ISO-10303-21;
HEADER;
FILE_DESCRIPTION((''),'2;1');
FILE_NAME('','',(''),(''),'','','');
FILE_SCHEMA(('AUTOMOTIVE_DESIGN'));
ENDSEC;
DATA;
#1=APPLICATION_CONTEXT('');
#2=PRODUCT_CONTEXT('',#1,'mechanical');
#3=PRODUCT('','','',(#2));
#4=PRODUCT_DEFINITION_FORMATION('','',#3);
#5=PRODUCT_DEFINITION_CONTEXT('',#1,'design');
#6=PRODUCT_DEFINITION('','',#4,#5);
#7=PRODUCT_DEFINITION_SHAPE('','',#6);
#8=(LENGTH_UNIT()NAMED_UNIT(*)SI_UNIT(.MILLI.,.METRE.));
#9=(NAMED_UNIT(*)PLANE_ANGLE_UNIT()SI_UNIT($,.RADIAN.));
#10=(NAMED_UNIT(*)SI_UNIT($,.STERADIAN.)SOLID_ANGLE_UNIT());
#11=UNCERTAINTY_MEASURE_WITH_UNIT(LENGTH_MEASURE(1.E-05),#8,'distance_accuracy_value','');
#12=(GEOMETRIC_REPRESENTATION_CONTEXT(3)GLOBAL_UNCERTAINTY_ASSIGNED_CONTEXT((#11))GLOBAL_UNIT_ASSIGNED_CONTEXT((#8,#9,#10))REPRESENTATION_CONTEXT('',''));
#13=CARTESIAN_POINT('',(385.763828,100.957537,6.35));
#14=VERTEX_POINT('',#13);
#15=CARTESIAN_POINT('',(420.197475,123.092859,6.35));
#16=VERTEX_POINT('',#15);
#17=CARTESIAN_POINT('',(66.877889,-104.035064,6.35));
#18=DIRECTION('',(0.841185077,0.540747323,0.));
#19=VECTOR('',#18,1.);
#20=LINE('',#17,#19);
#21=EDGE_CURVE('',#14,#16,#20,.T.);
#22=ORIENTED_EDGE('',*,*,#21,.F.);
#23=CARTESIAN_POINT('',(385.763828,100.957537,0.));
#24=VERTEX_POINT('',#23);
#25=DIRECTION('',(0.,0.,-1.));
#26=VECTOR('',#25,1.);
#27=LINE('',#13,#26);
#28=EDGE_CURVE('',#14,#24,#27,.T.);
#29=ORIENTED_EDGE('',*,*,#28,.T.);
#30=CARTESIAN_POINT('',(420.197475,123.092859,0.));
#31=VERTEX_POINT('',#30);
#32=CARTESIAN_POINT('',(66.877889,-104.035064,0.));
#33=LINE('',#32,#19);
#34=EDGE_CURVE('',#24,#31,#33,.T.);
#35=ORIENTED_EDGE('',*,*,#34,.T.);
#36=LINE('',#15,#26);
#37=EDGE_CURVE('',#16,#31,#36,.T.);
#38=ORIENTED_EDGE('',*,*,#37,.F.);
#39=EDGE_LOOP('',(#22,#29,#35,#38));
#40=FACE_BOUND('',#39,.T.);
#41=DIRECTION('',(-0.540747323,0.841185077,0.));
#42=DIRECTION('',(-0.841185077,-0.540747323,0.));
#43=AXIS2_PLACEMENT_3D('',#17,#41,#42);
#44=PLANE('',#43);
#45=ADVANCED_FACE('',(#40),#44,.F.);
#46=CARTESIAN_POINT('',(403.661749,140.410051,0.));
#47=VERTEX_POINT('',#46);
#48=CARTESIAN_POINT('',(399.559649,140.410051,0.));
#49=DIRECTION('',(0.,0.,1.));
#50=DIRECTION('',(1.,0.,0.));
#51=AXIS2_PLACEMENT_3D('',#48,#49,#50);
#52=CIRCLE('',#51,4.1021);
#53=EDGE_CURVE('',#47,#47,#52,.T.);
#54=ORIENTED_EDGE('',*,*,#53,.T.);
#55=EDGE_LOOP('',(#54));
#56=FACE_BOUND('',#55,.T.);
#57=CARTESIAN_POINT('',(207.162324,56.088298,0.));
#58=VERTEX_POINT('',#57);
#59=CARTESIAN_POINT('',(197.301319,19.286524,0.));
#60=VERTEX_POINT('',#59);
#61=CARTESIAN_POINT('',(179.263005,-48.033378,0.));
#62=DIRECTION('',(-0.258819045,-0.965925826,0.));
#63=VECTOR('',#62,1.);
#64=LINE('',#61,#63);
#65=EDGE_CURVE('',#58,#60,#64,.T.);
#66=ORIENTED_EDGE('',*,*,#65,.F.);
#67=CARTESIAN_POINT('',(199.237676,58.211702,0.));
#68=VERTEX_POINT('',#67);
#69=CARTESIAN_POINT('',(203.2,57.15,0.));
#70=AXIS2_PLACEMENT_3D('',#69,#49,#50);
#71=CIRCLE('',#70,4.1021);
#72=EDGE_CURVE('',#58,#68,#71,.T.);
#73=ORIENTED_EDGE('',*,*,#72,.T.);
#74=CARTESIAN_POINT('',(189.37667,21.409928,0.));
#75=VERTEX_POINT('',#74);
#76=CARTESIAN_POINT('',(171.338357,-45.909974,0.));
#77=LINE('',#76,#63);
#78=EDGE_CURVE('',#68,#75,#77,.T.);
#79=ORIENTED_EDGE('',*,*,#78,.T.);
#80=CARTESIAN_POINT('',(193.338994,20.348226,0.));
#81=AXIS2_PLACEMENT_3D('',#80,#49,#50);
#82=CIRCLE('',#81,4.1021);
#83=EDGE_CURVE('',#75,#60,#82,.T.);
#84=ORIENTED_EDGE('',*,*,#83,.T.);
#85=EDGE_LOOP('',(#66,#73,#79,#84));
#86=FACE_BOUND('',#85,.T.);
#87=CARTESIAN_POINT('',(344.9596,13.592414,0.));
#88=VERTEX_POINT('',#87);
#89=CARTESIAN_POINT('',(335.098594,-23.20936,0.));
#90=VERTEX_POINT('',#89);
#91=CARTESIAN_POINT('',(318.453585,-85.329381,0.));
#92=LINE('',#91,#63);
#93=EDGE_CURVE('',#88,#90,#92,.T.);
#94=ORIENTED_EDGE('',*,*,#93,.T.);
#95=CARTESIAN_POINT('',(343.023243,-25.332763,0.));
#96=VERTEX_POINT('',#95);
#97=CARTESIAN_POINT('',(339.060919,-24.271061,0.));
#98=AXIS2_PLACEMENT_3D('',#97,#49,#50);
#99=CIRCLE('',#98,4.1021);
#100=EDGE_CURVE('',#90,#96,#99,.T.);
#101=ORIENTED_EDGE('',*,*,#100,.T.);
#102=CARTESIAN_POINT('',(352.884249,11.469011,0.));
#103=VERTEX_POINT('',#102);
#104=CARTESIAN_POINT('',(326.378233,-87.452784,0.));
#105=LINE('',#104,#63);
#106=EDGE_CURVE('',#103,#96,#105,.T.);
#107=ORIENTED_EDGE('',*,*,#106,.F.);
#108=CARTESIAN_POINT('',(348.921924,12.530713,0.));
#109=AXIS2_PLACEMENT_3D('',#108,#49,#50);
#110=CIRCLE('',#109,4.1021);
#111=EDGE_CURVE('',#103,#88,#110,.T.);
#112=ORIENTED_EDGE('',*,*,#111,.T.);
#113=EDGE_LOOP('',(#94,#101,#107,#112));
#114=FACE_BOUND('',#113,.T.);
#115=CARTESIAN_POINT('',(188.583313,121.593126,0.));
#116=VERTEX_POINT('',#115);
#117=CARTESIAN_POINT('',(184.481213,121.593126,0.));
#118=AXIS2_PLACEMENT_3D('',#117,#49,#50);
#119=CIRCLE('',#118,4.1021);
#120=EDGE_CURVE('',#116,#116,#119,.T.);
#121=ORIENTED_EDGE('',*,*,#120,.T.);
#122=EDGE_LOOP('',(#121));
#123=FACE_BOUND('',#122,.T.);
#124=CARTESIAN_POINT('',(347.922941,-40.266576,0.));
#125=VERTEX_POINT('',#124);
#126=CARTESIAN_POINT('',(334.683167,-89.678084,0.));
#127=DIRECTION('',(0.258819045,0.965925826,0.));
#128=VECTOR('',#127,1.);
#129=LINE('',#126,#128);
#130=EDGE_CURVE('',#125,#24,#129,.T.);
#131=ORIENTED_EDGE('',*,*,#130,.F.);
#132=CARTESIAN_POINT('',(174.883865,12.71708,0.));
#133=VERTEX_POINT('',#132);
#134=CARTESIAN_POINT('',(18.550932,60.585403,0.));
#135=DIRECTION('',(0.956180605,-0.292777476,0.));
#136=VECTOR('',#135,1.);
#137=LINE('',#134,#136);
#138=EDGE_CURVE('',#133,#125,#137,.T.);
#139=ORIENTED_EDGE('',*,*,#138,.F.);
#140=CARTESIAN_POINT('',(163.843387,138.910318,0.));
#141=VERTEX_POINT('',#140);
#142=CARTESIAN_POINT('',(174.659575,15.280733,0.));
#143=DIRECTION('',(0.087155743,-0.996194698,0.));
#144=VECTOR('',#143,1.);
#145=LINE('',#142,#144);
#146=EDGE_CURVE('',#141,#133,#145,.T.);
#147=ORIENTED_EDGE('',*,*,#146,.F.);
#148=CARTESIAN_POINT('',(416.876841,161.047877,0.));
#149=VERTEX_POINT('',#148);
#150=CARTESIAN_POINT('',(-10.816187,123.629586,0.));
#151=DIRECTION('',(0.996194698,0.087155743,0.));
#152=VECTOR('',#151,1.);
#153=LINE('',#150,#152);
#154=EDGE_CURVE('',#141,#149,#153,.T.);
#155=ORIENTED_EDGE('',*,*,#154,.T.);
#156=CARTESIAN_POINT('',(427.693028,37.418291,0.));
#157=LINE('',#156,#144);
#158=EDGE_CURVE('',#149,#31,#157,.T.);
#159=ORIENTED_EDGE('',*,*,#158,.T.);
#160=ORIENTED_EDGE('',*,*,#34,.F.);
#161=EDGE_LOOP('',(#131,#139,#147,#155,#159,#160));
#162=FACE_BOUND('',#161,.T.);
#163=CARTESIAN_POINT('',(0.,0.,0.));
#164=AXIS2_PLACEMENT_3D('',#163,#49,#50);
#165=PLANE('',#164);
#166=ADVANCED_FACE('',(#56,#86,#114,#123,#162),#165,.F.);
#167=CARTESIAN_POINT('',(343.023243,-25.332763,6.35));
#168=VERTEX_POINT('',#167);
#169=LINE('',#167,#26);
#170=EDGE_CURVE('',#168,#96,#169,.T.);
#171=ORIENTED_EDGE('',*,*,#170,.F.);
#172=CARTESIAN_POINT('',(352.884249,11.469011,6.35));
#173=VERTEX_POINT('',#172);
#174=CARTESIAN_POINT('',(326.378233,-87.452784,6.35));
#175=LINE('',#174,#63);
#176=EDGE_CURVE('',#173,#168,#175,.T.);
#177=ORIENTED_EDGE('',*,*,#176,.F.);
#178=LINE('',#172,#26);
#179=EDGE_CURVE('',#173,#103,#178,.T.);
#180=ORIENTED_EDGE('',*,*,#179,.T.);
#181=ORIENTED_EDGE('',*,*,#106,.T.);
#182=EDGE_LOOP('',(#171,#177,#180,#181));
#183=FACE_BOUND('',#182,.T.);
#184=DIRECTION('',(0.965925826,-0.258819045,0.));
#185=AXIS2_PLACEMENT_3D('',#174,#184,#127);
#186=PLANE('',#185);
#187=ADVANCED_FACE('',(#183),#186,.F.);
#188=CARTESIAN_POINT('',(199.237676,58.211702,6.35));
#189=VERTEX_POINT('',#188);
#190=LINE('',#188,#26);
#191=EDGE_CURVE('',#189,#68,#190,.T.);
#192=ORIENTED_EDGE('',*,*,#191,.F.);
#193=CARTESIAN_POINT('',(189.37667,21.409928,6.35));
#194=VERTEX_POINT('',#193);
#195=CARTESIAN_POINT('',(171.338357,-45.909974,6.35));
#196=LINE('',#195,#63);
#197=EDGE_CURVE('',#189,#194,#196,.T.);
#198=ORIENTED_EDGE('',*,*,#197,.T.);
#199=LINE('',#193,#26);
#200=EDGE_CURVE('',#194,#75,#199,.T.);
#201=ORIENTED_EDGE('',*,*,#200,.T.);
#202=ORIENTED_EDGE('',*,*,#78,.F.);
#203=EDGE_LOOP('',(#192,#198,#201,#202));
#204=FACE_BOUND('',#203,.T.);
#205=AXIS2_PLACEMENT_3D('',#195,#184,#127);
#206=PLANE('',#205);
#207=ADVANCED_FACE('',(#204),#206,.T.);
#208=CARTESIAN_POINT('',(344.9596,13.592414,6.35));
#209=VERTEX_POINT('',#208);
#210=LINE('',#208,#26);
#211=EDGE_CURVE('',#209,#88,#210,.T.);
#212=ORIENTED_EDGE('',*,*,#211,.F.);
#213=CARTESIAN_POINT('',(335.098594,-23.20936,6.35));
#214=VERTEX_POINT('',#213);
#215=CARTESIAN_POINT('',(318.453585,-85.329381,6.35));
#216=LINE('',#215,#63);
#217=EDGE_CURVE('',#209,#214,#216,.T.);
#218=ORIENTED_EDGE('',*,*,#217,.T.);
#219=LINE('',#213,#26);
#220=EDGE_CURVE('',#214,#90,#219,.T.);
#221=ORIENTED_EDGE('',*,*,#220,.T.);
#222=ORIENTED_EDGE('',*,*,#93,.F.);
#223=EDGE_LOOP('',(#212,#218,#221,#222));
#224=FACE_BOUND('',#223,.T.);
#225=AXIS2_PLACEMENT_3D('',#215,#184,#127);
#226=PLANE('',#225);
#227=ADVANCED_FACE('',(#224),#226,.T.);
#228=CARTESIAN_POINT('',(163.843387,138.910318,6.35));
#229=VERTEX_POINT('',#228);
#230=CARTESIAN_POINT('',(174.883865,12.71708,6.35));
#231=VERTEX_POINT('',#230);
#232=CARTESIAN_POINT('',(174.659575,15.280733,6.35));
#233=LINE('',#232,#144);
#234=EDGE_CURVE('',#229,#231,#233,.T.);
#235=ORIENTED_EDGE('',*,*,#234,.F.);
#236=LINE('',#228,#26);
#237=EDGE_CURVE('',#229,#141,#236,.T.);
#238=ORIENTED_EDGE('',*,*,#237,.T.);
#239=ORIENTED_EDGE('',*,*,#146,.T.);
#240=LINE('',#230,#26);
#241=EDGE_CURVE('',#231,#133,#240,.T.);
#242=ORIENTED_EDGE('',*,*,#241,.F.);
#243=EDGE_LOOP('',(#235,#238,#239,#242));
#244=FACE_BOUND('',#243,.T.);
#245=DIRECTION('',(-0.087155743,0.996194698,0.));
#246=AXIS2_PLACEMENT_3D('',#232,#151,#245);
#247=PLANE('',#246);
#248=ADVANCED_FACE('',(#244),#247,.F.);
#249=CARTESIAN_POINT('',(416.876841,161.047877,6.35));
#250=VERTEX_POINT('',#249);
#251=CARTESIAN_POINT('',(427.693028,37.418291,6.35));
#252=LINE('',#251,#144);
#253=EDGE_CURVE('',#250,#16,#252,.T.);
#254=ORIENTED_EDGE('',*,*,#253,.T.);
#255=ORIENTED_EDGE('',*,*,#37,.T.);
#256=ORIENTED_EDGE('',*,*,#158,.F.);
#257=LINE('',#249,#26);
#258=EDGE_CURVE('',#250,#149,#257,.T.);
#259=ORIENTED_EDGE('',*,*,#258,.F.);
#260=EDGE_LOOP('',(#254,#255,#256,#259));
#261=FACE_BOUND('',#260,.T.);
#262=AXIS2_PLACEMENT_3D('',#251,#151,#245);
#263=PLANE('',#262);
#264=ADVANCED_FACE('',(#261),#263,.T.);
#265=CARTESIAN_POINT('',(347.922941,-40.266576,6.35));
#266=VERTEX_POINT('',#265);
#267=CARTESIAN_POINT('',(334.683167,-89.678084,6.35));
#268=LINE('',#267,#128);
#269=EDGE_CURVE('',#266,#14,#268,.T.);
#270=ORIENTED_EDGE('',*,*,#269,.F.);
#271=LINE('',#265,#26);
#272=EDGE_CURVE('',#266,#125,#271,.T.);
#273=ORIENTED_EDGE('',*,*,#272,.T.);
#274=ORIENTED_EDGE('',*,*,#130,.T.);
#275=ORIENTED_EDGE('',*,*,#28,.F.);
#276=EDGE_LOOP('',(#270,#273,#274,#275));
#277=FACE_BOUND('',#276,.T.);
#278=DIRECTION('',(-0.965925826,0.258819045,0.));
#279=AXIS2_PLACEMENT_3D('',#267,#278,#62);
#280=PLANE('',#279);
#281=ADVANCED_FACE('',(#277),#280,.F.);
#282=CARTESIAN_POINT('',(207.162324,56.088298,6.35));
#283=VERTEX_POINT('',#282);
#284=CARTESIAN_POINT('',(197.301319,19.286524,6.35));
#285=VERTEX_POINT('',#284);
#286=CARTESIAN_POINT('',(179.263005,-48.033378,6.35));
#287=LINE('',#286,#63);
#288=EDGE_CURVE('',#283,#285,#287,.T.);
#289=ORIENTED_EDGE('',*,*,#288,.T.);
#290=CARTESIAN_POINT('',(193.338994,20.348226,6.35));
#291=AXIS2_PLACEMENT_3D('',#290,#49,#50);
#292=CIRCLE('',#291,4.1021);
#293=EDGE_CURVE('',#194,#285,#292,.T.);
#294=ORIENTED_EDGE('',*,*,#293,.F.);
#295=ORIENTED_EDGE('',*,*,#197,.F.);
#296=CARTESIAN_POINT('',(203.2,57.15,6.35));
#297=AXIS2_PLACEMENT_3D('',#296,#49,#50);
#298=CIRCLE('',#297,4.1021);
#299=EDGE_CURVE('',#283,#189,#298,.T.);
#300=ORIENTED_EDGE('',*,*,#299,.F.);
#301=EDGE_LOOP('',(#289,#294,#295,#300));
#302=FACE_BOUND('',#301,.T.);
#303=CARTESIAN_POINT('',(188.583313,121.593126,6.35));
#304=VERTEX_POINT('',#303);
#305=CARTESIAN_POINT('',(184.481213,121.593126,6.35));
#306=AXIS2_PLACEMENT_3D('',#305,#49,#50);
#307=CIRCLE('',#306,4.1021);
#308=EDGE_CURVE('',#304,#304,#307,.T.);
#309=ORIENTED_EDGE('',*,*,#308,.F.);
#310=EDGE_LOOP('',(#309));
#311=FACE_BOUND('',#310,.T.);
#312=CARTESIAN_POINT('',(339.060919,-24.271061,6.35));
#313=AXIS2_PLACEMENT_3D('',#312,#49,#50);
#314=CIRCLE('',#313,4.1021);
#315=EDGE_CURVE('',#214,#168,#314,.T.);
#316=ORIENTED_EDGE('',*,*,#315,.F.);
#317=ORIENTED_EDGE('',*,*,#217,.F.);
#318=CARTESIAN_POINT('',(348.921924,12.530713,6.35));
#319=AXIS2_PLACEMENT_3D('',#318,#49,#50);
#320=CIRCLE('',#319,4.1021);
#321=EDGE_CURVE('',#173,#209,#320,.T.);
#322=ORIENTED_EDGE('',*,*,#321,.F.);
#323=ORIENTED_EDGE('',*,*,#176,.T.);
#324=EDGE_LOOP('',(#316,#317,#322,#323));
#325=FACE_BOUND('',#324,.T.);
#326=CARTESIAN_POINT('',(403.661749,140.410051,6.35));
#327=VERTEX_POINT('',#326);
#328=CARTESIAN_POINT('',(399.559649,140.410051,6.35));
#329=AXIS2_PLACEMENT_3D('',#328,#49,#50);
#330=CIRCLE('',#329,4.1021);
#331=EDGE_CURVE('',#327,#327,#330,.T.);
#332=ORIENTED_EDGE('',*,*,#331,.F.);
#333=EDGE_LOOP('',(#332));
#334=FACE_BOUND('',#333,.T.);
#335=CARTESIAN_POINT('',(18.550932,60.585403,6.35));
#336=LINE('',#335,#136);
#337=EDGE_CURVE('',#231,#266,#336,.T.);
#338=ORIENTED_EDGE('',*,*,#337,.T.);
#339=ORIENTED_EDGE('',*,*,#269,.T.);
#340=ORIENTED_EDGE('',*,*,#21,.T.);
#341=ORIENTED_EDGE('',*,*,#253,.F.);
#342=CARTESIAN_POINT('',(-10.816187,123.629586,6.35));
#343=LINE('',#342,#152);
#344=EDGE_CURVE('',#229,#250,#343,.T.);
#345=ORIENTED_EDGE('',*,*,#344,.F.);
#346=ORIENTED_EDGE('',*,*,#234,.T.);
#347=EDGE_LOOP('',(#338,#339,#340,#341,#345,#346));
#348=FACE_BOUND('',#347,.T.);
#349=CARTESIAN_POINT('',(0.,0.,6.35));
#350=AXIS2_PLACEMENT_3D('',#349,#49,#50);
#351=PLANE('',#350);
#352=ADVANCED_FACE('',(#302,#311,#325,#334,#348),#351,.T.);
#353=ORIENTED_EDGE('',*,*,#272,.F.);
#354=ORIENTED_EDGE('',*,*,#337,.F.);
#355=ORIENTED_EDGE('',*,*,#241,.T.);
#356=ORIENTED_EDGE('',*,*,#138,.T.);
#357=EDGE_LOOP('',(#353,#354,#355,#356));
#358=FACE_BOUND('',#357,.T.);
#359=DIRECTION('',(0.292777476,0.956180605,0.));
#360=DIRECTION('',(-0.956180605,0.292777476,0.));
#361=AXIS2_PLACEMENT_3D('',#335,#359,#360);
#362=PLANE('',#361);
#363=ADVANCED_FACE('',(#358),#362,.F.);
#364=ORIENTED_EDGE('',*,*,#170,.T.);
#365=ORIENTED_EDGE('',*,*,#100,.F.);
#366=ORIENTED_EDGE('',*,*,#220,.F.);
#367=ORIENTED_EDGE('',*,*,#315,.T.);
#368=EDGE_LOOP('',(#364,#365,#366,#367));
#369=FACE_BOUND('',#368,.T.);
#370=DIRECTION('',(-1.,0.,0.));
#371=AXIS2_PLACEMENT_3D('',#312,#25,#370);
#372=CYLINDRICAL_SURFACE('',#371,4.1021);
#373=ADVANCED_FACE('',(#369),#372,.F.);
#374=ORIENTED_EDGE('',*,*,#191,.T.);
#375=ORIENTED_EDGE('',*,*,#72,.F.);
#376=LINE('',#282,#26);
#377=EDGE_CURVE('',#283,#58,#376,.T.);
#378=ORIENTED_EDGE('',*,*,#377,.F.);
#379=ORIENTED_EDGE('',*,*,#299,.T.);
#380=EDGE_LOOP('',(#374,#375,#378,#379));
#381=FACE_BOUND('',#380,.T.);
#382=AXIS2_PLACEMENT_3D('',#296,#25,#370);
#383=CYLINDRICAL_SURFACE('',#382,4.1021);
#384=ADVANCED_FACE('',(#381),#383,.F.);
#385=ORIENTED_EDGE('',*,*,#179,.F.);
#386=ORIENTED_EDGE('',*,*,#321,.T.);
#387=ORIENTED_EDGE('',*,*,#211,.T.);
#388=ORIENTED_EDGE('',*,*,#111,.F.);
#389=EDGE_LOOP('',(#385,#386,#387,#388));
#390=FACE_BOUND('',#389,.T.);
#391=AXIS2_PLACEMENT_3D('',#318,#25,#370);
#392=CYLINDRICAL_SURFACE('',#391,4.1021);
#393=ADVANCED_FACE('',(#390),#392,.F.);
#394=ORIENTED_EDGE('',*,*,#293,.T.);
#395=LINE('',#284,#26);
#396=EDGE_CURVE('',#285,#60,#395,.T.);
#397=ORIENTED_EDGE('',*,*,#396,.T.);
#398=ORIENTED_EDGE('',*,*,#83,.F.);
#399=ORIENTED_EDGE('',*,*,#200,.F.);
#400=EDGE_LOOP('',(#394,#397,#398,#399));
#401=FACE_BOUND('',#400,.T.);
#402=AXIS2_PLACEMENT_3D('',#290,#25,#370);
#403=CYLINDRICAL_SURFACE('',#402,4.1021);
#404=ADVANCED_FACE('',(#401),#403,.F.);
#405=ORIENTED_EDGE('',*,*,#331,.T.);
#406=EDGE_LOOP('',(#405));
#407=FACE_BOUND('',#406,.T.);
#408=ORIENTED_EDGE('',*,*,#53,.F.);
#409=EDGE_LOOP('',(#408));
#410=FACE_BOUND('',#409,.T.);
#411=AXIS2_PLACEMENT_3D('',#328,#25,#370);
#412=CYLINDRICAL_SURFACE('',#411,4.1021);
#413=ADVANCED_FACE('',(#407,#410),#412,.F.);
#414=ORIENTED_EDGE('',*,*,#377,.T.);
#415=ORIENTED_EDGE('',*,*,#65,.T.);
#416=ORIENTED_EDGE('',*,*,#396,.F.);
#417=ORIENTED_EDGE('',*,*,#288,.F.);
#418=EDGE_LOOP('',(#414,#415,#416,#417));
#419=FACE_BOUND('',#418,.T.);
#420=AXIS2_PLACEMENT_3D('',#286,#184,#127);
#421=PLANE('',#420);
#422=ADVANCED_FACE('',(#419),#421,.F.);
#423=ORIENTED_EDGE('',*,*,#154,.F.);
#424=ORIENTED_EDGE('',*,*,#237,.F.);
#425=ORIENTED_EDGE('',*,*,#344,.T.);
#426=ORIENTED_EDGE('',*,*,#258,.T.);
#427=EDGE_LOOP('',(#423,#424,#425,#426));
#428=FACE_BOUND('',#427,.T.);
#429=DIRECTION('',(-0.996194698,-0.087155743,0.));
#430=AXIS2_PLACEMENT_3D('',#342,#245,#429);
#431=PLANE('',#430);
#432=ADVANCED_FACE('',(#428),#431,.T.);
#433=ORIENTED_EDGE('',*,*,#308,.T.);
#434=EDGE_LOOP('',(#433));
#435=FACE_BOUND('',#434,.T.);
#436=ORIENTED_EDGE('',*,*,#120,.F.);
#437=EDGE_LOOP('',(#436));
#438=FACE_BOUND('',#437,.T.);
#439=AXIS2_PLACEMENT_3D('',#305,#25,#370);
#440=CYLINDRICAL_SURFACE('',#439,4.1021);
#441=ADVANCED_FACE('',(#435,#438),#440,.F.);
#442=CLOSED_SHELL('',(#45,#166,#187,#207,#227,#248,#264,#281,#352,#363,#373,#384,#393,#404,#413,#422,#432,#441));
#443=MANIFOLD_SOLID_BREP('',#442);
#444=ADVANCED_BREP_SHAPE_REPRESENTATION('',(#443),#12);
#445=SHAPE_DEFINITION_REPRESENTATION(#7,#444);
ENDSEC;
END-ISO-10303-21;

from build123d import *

# Parameters (mm, degrees)
SKETCH2_R           = 4.1021
BOSS_EXTRUDE2_DEPTH = 6.35


with BuildPart() as part:
    # Sketch2 → Boss-Extrude2 (new body)
    with BuildSketch(Plane.XY):
        Polygon((416.876840794, 161.047876949), (163.843387479, 138.910318291), (174.883865248, 12.717079939), (347.922940958, -40.266575593), (385.763827966, 100.957537323), (420.197474593, 123.092858952), align=None)
        with Locations((184.481213377, 121.593126192)):
            Circle(SKETCH2_R, mode=Mode.SUBTRACT)
        with Locations((399.559648695, 140.410051051)):
            Circle(SKETCH2_R, mode=Mode.SUBTRACT)
        with BuildLine():
            Line((352.884248555, 11.469011076), (343.023242936, -25.332762905))
            ThreePointArc((343.023242936, -25.332762905), (337.999216999, -28.233385633), (335.098594272, -23.209359696))
            Line((335.098594272, -23.209359696), (344.959599891, 13.592414286))
            ThreePointArc((344.959599891, 13.592414286), (349.983625828, 16.493037013), (352.884248555, 11.469011076))
        make_face(mode=Mode.SUBTRACT)
        with BuildLine():
            ThreePointArc((199.237675668, 58.211701605), (204.261701605, 61.112324332), (207.162324332, 56.088298395))
            Line((207.162324332, 56.088298395), (197.301318714, 19.286524413))
            ThreePointArc((197.301318714, 19.286524413), (192.277292777, 16.385901686), (189.37667005, 21.409927623))
            Line((189.37667005, 21.409927623), (199.237675668, 58.211701605))
        make_face(mode=Mode.SUBTRACT)
    extrude(amount=BOSS_EXTRUDE2_DEPTH)


solid = part.part
